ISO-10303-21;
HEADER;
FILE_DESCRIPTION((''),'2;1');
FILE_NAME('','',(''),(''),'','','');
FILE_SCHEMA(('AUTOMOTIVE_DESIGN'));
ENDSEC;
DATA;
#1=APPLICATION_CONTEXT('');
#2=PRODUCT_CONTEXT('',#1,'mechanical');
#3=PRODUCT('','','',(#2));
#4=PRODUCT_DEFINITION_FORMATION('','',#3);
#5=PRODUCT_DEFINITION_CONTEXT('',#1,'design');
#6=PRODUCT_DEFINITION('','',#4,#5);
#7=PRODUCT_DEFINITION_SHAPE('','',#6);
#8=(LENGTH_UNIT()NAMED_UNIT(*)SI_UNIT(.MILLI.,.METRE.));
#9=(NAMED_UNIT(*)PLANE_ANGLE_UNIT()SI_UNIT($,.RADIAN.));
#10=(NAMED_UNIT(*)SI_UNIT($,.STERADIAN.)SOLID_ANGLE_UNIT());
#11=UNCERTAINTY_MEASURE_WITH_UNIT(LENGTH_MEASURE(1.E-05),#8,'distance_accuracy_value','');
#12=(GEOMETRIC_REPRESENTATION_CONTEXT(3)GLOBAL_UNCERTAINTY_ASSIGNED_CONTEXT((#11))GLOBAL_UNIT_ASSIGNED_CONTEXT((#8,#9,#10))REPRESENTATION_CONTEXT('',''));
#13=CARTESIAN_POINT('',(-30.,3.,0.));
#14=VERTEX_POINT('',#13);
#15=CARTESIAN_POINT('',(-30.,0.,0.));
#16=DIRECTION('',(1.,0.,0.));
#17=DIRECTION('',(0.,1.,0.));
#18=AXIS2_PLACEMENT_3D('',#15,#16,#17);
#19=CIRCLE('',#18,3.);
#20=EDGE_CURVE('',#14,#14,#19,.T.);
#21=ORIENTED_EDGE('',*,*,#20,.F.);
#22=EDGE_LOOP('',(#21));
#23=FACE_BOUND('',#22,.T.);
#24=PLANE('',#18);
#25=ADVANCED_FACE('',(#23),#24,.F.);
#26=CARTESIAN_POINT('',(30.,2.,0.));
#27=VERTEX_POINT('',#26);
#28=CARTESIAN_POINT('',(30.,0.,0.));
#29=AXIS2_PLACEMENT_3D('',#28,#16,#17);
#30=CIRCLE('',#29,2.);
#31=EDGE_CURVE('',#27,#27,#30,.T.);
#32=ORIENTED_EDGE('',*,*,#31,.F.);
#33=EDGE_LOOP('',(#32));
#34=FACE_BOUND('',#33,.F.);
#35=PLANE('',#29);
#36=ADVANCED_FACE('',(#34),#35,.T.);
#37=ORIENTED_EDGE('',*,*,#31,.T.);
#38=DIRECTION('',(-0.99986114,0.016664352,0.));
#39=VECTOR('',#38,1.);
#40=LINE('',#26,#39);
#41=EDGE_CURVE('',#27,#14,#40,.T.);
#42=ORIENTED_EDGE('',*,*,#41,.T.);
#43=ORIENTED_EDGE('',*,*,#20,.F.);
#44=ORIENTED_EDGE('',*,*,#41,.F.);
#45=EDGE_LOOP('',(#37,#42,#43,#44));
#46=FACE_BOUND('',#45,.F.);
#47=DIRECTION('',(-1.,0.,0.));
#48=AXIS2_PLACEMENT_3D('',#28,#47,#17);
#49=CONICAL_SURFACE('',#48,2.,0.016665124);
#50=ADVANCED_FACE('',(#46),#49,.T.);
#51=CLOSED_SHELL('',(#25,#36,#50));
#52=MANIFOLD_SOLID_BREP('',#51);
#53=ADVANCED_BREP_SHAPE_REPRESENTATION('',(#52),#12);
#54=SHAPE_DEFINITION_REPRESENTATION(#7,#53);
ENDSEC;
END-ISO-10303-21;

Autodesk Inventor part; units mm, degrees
ref_plane "YZ Plane" through (0, 0, 0) normal (1, 0, 0) x (0, 1, 0)
ref_plane "XZ Plane" through (0, 0, 0) normal (0, 1, 0) x (-1, 0, 0)
ref_plane "XY Plane" through (0, 0, 0) normal (0, 0, 1) x (1, 0, 0)
sketch "Sketch1" plane through (0, 0, 0) normal (0, 0, 1) x (1, 0, 0)
  line L0 (-30, 0) -> (30, 0)
  line L1 (-30, 0) -> (-30, 3)
  line L2 (30, 0) -> (30, 2)
  line L3 (30, 2) -> (-30, 3)
  point P0 (0, 0)
  point P1 (0, 0)
  dimension "d0" = 60
  dimension "d1" = 3
  dimension "d2" = 2
revolve "Revolution1" add sketch "Sketch1" angle 360 about axis through (-30, 0, 0) along (1, 0, 0)
properties part number "collor"
